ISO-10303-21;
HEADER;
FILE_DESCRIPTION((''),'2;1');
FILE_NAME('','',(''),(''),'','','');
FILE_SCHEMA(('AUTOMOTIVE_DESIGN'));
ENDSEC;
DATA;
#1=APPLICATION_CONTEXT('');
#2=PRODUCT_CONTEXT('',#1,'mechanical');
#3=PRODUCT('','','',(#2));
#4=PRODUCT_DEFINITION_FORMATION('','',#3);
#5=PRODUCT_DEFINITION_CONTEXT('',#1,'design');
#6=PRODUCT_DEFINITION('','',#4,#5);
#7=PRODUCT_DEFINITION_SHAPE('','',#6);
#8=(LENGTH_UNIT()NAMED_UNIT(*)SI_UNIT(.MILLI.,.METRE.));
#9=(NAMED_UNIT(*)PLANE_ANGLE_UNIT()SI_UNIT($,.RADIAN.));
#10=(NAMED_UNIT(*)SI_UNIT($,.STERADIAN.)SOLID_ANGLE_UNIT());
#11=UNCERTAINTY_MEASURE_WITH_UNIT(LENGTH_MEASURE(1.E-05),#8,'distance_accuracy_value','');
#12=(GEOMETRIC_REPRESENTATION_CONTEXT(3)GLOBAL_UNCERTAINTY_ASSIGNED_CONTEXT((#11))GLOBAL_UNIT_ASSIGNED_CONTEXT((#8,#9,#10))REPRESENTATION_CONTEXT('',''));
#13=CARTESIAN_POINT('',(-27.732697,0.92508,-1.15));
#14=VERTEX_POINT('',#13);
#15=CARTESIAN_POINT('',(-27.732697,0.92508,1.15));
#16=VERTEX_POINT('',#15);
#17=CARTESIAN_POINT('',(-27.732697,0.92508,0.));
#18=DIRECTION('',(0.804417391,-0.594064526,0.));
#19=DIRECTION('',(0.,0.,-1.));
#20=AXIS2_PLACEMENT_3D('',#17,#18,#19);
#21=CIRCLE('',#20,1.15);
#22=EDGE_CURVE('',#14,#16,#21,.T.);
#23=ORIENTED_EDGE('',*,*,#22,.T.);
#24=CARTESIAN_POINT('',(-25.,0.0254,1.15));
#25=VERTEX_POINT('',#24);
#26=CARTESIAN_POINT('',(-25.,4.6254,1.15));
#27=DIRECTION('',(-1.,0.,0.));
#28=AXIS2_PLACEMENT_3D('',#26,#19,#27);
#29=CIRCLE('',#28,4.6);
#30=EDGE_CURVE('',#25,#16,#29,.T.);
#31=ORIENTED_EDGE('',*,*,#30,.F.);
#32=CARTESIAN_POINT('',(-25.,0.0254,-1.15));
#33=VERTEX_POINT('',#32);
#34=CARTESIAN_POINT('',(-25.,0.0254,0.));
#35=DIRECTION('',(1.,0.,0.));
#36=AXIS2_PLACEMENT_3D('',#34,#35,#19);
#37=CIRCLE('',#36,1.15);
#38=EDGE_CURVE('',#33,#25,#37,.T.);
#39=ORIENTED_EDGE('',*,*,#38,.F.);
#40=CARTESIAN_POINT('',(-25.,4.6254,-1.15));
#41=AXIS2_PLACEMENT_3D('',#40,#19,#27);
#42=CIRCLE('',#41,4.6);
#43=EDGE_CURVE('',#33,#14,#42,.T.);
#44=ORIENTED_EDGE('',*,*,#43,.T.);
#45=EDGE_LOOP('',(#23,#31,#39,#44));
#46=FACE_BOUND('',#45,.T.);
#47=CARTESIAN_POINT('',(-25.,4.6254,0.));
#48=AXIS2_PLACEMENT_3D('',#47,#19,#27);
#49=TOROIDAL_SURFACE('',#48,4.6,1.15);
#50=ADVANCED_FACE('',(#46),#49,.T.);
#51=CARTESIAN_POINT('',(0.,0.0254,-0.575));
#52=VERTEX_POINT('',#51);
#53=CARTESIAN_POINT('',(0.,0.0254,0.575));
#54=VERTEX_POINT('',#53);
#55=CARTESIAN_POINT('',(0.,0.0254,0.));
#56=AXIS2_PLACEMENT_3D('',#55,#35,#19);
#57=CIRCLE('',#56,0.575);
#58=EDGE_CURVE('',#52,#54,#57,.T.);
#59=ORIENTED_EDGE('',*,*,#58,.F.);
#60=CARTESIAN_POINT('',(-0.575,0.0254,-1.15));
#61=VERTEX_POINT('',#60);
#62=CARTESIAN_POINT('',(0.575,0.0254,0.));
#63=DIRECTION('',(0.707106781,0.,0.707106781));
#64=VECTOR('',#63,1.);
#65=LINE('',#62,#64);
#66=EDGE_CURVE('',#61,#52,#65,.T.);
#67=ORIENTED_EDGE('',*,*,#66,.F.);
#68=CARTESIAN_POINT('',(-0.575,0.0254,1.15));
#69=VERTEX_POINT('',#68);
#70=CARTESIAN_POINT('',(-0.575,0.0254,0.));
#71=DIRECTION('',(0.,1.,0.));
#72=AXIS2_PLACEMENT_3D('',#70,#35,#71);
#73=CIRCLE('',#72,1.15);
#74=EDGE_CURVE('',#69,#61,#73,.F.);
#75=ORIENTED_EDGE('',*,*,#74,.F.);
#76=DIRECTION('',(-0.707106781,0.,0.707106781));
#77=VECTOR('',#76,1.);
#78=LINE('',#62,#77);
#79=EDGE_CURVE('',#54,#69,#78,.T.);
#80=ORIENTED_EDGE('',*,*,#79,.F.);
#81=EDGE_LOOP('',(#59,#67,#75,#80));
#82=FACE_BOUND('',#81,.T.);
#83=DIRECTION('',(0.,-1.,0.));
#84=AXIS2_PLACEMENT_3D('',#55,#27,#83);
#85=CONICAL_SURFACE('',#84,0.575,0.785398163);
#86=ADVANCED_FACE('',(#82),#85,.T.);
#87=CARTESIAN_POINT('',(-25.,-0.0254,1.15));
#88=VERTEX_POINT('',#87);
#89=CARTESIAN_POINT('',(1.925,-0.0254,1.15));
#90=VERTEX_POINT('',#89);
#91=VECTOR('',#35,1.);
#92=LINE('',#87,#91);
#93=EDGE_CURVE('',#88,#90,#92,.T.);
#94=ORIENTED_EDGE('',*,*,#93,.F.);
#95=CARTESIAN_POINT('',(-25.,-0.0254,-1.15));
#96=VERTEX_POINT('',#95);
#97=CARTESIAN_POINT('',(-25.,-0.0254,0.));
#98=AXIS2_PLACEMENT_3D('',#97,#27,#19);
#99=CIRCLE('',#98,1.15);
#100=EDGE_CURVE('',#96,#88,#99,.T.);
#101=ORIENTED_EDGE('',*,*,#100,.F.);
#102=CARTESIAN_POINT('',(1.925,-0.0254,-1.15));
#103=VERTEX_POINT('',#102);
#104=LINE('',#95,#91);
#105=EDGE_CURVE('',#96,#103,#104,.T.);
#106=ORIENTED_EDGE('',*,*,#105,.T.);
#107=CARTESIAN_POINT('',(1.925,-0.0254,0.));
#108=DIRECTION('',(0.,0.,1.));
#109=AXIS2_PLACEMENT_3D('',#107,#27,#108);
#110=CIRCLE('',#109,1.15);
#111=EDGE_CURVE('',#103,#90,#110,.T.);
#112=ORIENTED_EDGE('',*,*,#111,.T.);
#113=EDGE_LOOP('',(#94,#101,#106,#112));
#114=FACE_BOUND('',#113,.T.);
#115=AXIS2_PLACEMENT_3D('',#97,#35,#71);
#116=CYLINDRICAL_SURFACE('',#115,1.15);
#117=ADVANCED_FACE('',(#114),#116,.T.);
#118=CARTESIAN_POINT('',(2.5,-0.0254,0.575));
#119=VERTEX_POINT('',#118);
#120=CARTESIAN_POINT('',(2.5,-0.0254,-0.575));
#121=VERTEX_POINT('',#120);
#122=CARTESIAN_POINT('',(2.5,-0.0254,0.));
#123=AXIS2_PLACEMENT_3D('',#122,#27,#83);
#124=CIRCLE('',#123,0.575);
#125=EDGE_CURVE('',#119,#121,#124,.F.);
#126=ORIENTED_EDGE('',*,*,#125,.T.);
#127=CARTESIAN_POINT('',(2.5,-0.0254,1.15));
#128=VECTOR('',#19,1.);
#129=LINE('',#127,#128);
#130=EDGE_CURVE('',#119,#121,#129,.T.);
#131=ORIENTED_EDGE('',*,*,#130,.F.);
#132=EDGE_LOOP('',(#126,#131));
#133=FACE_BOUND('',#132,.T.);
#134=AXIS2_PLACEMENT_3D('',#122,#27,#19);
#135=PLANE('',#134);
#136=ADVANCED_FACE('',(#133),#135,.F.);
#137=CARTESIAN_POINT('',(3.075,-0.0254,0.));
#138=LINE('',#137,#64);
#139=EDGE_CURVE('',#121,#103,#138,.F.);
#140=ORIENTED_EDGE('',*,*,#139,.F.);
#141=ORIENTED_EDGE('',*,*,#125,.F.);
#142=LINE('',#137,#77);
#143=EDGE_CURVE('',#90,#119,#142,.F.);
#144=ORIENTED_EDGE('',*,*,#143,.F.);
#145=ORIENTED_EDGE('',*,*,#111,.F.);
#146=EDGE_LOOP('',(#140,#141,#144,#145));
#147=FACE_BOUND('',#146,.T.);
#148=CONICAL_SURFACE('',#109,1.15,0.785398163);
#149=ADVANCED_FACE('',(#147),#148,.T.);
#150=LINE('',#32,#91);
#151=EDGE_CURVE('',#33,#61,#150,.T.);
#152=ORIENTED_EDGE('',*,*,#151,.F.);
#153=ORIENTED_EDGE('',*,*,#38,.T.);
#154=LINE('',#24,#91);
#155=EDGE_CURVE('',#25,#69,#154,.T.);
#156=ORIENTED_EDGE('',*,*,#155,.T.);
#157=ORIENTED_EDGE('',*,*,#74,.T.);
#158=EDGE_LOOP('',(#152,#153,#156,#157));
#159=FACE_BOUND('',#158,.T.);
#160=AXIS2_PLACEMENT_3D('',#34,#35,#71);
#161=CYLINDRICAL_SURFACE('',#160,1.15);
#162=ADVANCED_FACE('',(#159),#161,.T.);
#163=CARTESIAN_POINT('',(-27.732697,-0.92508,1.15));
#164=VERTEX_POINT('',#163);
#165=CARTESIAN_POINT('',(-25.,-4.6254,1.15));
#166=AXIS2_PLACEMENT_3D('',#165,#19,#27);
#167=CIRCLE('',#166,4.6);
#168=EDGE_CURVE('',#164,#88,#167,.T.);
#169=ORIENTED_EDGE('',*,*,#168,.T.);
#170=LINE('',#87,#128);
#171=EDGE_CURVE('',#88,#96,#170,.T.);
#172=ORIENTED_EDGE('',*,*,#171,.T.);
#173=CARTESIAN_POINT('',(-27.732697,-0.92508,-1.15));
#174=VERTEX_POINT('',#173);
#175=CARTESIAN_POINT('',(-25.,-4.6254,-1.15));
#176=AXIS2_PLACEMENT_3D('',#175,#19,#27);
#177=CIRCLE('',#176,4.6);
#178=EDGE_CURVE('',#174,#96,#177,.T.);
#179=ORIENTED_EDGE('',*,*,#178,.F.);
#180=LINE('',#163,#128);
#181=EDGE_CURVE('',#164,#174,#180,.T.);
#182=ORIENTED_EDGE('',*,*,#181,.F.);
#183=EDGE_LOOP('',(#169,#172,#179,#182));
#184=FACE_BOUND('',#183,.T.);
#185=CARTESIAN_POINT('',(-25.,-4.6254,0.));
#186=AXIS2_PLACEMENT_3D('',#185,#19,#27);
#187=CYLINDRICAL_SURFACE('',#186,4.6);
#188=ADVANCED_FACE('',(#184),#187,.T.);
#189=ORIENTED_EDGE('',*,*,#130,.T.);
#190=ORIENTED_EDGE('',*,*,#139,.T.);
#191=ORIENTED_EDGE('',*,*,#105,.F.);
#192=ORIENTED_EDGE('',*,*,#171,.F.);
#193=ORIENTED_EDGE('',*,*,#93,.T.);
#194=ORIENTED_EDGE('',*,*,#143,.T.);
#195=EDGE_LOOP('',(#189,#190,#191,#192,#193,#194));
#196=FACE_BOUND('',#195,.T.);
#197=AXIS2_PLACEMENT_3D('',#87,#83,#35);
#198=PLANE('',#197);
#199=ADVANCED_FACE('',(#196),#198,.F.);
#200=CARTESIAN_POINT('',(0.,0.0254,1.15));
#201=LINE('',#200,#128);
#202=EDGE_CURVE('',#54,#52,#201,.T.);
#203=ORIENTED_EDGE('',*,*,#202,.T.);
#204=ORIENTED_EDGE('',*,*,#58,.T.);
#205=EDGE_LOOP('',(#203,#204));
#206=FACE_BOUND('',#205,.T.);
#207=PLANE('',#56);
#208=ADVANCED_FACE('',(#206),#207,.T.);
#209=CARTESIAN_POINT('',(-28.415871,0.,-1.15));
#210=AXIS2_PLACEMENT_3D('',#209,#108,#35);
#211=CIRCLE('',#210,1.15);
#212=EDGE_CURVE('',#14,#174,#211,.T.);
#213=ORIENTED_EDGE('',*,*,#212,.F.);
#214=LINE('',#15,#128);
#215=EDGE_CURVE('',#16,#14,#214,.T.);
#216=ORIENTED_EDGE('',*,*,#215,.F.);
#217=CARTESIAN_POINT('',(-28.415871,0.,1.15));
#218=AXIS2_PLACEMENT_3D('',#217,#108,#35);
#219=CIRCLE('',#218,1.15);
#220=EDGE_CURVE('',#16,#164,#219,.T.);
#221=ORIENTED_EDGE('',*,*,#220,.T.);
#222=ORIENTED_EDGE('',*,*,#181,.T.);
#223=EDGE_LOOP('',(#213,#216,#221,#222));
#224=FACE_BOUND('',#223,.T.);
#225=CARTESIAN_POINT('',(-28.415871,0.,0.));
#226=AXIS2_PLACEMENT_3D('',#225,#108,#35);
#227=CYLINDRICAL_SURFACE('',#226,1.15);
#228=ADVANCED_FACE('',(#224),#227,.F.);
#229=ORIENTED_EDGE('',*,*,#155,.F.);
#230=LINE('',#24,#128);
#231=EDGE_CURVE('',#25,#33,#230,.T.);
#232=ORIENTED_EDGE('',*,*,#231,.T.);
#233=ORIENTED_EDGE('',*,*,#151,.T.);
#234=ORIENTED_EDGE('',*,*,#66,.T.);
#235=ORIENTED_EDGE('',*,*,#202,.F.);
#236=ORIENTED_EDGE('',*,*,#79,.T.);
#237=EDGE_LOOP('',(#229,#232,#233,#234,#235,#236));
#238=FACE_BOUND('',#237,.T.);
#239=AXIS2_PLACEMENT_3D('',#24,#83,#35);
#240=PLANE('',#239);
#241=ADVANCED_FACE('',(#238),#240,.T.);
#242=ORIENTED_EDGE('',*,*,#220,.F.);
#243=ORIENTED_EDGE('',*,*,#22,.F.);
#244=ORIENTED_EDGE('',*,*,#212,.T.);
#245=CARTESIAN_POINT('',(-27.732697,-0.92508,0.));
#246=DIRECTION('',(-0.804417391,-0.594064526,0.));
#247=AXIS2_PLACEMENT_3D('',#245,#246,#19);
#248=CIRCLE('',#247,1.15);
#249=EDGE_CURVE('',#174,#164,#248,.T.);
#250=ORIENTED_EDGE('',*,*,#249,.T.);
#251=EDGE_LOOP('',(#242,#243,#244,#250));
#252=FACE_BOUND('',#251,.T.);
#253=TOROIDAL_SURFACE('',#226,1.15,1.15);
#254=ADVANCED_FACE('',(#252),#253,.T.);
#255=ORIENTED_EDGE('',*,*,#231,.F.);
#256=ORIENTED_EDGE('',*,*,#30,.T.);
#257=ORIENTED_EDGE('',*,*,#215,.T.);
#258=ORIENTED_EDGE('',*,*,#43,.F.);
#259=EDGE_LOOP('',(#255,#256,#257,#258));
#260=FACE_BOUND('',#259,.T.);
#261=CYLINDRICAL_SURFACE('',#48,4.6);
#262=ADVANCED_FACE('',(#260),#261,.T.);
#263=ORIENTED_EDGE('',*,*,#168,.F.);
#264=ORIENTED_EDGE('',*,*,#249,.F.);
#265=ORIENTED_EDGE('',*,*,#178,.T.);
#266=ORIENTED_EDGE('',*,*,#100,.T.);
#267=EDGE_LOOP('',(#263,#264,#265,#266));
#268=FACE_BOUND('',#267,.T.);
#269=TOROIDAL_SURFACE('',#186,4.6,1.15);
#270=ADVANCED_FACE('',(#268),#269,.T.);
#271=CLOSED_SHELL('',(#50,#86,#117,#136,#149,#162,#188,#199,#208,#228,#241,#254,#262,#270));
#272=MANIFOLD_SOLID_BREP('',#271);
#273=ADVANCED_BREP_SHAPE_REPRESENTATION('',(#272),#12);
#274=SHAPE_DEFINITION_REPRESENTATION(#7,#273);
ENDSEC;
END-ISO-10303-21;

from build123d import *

# Parameters (mm, degrees)
CHAMFER1_SIZE = 0.575


with BuildPart() as part:
    # Sweep1: sweep along a path in Sketch1
    with BuildLine(Plane.XY) as sweep1_path:
        Line((2.5, -0.0254), (-25, -0.0254))
        ThreePointArc((-25, -0.0254), (-26.438493657, -0.25610532), (-27.732696818, -0.92508))
        ThreePointArc((-27.732696818, -0.92508), (-29.565871022, 0), (-27.732696818, 0.92508))
        ThreePointArc((-27.732696818, 0.92508), (-26.438493657, 0.25610532), (-25, 0.0254))
        Line((-25, 0.0254), (0, 0.0254))
    # Sketch2 → Sweep1 (sweep)
    with BuildSketch(Plane(origin=(0, 0, 0), x_dir=(0, 0, -1), z_dir=(1, 0, 0))):
        with BuildLine():
            Line((-1.15, 0.0254), (1.15, 0.0254))
            ThreePointArc((1.15, 0.0254), (0, 1.1754), (-1.15, 0.0254))
        make_face()
    sweep(path=sweep1_path.line)

    # Chamfer1
    chamfer1_edges = [part.edges().sort_by_distance(p)[0] for p in [
        (2.5, -1.1754, 0),
        (0, 1.1754, 0),
    ]]
    chamfer(chamfer1_edges, length=CHAMFER1_SIZE)


solid = part.part
